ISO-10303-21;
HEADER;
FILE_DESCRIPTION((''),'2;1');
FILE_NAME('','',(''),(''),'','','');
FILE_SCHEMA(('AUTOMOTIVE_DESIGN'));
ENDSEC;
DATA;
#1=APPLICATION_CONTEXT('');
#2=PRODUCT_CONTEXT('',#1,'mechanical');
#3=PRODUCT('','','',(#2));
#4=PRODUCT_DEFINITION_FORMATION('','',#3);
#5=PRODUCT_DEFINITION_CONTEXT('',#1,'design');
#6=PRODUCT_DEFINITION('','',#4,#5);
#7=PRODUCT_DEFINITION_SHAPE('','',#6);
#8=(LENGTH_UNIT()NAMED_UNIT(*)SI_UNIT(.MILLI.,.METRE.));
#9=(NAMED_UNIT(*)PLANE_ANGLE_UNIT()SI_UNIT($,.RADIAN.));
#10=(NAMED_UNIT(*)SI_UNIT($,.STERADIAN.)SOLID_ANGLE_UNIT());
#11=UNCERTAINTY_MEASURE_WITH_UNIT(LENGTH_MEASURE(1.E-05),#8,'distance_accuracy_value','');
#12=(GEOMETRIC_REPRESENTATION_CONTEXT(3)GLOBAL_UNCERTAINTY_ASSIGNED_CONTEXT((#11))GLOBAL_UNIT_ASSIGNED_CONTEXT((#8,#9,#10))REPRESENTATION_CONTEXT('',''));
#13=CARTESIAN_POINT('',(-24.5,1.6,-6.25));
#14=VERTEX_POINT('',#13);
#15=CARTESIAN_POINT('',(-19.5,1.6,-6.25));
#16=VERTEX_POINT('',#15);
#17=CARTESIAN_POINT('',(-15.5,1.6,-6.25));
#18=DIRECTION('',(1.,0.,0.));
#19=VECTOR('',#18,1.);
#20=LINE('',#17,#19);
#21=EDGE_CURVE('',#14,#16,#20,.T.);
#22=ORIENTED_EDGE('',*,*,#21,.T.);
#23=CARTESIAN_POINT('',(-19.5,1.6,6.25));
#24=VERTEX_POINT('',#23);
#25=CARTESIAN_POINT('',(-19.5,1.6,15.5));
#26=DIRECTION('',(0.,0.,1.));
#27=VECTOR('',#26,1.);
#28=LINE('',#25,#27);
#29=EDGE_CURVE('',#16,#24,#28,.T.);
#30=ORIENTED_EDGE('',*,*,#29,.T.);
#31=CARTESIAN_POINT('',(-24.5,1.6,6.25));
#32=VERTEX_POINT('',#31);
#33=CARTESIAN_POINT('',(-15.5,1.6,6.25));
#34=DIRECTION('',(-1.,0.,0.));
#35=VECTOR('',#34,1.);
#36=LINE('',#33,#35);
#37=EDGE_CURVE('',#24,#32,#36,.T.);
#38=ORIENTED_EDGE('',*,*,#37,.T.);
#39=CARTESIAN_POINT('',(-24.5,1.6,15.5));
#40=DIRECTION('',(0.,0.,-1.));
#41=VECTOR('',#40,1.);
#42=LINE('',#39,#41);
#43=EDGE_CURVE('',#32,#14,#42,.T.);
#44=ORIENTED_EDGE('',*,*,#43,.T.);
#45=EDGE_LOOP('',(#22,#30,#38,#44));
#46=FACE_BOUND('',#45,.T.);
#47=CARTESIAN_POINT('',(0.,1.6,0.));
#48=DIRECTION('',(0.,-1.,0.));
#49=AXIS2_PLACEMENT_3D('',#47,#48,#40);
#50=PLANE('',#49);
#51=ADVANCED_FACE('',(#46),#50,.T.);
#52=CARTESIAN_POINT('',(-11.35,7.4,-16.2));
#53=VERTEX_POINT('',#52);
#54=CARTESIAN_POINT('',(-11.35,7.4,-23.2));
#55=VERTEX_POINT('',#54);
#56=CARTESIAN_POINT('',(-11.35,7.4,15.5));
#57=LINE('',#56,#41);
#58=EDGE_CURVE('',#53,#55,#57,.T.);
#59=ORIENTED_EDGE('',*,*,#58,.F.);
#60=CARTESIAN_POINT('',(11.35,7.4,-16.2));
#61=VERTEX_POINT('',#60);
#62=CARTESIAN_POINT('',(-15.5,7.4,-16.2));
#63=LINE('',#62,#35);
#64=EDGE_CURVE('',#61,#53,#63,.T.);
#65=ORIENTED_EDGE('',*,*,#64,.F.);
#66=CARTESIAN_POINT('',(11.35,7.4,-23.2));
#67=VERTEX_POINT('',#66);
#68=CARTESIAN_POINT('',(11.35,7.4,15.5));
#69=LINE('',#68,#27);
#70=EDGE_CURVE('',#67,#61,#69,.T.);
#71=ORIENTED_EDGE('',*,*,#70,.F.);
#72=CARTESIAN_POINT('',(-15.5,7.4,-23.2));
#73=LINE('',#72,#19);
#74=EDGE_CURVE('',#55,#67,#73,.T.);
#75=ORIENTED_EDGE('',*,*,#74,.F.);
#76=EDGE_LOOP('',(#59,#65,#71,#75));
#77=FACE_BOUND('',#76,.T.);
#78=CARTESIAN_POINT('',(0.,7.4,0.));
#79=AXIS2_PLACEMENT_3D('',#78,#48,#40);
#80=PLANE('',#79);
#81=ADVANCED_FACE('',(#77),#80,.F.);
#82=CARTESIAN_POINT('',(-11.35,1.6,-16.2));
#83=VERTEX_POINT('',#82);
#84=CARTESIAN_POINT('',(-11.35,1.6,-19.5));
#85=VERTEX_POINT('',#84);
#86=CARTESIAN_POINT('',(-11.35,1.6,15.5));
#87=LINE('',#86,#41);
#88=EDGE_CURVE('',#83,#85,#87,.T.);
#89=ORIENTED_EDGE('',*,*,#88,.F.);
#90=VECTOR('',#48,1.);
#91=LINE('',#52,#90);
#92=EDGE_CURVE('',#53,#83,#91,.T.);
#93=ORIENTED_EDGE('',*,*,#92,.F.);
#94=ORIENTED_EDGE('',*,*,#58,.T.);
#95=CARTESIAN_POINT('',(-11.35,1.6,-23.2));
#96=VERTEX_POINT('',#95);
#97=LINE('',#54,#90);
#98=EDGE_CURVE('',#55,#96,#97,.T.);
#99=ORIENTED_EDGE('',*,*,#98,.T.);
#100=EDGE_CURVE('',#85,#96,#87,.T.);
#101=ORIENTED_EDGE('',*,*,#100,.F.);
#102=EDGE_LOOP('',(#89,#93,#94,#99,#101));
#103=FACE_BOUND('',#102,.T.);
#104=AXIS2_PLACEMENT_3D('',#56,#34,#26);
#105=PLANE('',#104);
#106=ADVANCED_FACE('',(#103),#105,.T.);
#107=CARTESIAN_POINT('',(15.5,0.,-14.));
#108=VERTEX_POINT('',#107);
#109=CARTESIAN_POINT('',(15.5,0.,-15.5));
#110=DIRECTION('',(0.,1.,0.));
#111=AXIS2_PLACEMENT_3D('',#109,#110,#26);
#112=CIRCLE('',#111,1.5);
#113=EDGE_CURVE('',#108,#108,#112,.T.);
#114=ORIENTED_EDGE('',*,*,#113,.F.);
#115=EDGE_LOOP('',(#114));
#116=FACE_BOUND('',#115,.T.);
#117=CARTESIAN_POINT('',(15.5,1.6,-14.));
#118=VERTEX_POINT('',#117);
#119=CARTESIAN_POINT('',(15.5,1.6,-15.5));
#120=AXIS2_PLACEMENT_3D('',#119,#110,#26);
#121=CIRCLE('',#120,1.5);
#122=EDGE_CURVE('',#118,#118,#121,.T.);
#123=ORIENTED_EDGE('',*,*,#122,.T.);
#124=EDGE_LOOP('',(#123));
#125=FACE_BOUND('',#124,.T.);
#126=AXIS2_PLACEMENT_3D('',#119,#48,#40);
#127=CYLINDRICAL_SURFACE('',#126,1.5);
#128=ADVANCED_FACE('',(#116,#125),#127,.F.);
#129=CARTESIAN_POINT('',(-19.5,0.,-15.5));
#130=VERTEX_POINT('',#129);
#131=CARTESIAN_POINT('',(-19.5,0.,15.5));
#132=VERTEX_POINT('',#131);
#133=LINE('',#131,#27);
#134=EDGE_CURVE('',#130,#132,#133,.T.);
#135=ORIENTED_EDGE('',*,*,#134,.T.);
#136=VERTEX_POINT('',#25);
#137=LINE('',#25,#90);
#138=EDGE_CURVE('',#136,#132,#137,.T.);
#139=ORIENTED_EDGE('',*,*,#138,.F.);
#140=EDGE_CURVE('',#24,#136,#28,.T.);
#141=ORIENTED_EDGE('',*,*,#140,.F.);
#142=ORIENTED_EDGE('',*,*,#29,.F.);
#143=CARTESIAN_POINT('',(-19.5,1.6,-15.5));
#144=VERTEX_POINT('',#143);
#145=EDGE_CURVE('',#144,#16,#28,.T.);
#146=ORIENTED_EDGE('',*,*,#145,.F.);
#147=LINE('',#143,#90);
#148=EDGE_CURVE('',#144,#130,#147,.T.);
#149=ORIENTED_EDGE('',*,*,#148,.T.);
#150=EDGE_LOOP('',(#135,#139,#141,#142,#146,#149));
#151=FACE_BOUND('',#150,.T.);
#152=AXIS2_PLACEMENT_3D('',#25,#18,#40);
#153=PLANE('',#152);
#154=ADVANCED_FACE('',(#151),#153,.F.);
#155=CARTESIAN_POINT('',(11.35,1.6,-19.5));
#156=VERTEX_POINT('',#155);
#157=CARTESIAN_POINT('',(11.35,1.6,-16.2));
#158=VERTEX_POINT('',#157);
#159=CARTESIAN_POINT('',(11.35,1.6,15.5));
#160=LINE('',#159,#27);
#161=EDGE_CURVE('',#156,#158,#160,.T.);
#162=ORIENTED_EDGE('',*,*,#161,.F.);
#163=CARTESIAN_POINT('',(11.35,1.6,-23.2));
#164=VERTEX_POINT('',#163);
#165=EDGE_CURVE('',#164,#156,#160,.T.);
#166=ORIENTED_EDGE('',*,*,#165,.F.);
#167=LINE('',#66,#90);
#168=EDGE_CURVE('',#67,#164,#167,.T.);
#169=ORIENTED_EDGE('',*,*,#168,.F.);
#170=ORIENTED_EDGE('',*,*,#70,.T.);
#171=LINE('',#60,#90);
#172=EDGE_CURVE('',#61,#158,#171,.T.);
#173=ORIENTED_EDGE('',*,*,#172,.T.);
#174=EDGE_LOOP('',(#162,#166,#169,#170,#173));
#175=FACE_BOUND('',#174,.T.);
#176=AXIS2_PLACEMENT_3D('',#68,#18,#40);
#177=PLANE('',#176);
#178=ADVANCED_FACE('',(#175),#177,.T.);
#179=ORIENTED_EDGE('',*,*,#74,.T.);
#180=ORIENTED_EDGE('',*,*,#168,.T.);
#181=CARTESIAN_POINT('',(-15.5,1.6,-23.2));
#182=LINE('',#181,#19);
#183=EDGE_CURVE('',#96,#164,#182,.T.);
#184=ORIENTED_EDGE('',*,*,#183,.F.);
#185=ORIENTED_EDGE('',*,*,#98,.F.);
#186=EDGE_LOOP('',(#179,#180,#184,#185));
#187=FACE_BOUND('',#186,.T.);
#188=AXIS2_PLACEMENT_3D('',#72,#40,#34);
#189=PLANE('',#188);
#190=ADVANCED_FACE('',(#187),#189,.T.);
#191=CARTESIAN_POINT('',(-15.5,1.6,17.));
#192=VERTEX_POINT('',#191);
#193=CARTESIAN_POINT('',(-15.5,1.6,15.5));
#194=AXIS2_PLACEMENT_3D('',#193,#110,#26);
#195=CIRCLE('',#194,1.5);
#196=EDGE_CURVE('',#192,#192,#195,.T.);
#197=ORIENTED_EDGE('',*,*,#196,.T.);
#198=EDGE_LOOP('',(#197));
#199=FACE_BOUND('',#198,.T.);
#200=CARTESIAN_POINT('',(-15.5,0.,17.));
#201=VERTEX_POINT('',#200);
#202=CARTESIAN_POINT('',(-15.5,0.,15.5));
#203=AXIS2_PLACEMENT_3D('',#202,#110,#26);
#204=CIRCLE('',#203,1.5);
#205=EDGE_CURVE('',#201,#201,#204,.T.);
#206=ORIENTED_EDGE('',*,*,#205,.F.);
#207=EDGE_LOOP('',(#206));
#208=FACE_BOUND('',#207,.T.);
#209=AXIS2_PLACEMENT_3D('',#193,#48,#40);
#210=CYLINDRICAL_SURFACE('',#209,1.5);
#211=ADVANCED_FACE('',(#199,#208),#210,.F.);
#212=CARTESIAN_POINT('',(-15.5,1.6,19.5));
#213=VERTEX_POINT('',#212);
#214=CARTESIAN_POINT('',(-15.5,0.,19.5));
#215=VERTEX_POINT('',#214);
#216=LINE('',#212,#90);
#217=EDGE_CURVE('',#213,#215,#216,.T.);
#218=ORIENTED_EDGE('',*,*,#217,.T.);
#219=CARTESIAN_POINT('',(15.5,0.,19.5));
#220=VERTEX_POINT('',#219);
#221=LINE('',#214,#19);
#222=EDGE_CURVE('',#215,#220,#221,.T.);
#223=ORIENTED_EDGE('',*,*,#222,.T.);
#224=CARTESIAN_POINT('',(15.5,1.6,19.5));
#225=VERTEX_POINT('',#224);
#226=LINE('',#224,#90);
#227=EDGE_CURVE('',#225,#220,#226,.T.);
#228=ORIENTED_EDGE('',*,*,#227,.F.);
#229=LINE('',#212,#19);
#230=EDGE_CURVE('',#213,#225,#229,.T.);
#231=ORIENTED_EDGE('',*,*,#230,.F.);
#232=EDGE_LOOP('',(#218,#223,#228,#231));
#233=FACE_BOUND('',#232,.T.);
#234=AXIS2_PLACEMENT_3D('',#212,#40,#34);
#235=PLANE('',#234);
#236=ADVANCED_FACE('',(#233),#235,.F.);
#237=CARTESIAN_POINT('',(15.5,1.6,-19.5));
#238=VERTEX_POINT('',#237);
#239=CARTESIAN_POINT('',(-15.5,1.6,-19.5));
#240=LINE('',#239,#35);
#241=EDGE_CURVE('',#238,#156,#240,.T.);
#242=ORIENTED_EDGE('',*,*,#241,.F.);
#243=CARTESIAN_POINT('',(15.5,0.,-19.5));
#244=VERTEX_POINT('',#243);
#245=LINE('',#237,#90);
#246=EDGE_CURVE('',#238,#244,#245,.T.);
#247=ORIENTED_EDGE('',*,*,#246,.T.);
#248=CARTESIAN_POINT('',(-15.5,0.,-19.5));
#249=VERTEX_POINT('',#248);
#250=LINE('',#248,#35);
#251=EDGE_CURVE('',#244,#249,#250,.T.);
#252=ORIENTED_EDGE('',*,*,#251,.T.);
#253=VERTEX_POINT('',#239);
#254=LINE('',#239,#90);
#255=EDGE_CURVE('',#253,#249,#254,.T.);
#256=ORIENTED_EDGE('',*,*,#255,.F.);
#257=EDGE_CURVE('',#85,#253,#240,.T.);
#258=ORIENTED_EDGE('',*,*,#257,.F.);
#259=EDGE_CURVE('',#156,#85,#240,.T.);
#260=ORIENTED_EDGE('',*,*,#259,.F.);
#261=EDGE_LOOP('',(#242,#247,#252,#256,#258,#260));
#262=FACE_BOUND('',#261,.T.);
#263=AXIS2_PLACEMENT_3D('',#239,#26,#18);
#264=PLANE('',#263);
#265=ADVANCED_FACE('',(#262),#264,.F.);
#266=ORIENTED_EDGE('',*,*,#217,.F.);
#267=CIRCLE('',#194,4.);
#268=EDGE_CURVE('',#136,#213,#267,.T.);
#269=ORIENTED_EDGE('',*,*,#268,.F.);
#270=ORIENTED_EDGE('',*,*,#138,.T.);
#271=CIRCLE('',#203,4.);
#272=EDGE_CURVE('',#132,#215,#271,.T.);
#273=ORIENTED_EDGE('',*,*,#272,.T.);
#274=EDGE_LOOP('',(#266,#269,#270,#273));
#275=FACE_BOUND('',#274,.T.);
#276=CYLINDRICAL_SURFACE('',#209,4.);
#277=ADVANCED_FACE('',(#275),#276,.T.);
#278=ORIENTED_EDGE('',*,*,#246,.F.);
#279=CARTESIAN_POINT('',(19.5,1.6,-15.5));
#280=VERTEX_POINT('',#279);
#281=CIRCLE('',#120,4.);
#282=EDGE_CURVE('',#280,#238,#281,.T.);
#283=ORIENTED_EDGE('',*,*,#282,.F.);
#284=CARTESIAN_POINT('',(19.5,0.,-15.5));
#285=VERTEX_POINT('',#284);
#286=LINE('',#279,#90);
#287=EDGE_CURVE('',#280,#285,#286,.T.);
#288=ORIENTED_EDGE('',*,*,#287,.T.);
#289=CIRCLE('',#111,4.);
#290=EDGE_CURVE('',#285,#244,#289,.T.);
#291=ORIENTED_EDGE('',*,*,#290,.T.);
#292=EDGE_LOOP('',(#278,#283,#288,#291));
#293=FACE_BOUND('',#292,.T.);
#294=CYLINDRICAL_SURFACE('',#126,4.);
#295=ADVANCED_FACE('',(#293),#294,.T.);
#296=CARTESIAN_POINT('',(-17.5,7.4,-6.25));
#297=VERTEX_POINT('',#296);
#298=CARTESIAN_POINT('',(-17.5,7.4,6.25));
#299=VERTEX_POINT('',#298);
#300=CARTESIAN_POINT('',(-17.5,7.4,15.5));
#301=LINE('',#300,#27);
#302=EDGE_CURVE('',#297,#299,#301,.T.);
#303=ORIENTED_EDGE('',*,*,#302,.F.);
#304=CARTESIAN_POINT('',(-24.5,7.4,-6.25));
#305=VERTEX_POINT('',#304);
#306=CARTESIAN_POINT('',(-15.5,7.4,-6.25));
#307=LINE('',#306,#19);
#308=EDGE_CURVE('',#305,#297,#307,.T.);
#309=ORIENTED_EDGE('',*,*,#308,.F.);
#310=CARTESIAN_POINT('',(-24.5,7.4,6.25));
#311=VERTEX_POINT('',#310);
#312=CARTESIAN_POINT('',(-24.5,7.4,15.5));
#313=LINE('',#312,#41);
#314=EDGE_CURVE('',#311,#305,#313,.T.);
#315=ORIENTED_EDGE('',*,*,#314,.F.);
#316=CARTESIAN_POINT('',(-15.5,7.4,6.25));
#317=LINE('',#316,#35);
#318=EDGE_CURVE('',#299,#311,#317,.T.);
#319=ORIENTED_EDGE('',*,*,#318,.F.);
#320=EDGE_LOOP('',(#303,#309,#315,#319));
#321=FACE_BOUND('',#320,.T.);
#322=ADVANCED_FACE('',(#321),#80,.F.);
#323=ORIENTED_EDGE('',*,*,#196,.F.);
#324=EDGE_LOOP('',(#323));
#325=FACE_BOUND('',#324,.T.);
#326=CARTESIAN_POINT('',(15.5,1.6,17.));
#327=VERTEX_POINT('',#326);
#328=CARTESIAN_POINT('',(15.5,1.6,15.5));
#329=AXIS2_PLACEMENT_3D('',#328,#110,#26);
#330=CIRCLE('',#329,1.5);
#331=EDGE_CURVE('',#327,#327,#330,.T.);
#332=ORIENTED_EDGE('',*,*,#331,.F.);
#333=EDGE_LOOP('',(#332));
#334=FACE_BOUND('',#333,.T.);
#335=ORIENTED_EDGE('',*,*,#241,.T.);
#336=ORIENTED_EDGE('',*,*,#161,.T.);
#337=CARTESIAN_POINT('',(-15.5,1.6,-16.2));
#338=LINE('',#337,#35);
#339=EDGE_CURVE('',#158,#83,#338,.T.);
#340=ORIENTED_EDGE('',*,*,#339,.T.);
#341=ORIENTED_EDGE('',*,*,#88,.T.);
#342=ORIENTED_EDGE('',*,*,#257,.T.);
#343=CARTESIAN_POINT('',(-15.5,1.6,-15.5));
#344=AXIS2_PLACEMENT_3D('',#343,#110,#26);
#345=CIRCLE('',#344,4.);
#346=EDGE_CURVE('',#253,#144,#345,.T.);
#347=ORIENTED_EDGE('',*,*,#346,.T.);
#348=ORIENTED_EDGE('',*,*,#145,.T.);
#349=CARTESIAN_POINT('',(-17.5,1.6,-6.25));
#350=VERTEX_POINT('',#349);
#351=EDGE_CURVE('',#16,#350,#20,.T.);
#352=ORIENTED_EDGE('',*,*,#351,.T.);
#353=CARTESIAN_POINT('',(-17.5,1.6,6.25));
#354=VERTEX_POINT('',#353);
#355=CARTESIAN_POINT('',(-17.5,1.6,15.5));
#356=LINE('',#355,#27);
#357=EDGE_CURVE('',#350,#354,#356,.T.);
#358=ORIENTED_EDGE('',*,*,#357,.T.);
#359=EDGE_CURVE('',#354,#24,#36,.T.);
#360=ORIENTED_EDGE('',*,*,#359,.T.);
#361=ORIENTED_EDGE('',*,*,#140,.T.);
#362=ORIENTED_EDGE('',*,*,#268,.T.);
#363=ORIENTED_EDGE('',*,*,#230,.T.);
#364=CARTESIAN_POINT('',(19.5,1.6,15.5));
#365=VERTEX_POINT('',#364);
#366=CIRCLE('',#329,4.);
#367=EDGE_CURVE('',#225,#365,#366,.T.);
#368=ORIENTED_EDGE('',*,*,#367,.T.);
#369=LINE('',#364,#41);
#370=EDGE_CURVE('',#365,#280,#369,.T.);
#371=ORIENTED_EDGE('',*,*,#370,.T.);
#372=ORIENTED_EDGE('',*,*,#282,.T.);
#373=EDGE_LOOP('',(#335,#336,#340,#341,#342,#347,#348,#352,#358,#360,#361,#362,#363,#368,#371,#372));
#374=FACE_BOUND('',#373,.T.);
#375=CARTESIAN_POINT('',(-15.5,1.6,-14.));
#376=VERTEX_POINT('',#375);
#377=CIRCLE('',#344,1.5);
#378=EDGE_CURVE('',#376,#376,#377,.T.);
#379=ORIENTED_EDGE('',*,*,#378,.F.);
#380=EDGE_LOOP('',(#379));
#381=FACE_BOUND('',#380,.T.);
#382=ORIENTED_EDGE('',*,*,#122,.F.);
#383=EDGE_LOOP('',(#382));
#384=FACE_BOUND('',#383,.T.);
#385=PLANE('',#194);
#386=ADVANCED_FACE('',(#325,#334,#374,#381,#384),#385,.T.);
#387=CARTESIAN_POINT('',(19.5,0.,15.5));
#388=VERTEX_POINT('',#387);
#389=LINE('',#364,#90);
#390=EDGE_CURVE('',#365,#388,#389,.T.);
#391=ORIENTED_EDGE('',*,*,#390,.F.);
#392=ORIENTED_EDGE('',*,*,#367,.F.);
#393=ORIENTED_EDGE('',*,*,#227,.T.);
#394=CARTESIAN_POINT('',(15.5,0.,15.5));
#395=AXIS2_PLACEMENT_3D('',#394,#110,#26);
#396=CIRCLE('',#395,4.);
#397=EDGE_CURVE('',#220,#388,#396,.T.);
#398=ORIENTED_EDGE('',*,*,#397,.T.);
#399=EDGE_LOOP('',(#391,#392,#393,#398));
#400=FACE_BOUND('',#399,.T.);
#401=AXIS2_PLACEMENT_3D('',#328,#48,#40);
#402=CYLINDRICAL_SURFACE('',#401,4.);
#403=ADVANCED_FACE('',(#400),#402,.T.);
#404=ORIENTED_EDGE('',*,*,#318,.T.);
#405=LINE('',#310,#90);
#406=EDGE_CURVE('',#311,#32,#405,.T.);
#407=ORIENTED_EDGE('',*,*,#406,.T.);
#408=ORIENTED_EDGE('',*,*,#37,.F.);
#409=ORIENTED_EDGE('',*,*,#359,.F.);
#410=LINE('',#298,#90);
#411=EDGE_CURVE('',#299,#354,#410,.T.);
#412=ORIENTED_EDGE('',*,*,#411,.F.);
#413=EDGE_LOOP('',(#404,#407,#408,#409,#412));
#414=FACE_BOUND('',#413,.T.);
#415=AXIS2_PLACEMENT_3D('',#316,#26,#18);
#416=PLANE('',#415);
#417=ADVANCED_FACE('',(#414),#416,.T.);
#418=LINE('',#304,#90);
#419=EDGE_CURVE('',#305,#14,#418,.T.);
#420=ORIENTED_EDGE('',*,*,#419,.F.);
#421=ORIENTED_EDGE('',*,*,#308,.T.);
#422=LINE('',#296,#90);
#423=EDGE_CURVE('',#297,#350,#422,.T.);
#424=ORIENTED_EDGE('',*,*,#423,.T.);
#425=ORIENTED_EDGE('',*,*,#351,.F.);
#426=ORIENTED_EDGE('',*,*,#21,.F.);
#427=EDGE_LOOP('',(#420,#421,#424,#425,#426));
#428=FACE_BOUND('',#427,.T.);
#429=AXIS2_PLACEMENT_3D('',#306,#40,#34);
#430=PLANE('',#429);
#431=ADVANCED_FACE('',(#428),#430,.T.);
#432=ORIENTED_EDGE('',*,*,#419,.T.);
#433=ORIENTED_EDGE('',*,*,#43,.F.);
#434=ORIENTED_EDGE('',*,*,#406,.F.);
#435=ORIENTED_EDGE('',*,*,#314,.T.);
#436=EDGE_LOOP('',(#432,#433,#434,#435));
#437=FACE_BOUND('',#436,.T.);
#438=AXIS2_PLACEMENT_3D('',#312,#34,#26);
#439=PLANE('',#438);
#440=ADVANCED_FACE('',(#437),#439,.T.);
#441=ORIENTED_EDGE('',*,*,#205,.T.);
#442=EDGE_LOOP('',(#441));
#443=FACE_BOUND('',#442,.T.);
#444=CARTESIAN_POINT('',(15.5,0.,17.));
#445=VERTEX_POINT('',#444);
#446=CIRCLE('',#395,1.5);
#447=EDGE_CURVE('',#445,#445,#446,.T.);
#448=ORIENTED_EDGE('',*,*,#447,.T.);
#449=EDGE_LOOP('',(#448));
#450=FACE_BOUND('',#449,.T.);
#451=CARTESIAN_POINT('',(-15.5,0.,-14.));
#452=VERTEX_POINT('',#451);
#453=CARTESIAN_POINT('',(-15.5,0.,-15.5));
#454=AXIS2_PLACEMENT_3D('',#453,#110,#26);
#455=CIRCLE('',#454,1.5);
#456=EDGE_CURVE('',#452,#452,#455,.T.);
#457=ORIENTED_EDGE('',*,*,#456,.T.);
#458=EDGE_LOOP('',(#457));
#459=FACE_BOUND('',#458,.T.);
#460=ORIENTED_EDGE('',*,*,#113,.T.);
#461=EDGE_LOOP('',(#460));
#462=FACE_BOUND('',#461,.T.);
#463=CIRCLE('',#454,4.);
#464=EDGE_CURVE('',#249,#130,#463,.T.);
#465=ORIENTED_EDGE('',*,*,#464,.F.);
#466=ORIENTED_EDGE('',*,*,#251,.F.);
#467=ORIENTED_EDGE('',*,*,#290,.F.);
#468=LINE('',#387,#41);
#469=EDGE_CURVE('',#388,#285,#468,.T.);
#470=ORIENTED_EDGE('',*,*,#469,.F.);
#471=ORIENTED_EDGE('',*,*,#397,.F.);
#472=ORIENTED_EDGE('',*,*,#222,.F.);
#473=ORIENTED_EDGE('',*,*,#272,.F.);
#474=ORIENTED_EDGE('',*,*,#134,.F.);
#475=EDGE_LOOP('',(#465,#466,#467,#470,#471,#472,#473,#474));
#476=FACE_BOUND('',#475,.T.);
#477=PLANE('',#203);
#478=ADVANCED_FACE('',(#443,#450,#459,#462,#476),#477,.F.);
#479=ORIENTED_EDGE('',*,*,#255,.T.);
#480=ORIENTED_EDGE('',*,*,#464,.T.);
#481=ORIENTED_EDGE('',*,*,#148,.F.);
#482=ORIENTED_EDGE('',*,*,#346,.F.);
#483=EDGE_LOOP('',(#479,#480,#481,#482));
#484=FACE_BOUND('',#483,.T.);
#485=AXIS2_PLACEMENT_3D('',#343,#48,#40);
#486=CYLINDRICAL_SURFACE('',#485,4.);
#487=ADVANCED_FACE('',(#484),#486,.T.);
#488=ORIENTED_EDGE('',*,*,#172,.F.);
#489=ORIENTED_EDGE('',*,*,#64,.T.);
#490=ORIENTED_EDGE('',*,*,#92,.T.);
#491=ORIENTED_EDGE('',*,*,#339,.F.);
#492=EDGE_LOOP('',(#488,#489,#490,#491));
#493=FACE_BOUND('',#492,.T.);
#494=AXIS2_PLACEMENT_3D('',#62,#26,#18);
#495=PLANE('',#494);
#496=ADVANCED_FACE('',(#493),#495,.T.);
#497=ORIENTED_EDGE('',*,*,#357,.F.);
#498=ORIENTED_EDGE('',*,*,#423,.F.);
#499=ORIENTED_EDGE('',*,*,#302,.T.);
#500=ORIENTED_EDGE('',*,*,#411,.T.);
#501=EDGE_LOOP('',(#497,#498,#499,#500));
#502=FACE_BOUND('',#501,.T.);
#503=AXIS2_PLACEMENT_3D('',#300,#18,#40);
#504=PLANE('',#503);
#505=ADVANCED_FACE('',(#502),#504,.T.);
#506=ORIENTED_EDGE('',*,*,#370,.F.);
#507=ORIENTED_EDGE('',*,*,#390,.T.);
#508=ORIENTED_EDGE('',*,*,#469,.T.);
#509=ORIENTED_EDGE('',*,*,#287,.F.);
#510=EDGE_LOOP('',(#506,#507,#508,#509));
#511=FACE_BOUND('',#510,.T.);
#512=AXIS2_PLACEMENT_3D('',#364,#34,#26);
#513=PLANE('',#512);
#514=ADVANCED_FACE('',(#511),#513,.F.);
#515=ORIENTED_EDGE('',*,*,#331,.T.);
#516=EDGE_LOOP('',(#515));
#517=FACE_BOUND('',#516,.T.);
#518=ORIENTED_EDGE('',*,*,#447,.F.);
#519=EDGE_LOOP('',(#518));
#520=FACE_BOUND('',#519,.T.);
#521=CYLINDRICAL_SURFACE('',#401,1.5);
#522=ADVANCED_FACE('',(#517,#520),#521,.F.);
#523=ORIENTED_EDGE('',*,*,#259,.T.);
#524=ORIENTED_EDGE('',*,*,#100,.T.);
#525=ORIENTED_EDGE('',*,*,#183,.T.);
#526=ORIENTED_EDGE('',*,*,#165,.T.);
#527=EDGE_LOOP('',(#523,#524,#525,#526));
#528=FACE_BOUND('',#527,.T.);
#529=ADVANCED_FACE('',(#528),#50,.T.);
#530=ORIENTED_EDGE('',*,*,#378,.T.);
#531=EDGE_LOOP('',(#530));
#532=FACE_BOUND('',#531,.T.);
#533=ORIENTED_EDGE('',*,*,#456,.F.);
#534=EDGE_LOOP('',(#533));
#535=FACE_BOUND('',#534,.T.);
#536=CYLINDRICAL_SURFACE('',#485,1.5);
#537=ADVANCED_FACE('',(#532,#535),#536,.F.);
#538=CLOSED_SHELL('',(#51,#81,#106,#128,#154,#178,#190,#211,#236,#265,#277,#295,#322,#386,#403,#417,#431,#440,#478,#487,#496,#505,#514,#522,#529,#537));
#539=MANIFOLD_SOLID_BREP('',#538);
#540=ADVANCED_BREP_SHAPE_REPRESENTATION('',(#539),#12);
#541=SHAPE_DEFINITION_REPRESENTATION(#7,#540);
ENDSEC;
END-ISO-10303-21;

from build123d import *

# Parameters (mm, degrees)
SKETCH_1_R      = 1.5
EXTRUDE_1_DEPTH = 1.6
EXTRUDE_START   = 1.6
SKETCH_2_W      = 22.7
SKETCH_2_H      = 7
SKETCH_2_W_2    = 7
SKETCH_2_H_2    = 12.5
EXTRUDE_2_DEPTH = 5.8


with BuildPart() as part:
    # 草图1 → 凸台-拉伸1 (new body)
    with BuildSketch(Plane(origin=(0, 0, 0), x_dir=(1, 0, 0), z_dir=(0, 1, 0))):
        with BuildLine():
            Line((-15.5, -19.5), (15.5, -19.5))
            ThreePointArc((15.5, -19.5), (18.328427125, -18.328427125), (19.5, -15.5))
            Line((19.5, -15.5), (19.5, 15.5))
            ThreePointArc((19.5, 15.5), (18.328427125, 18.328427125), (15.5, 19.5))
            Line((15.5, 19.5), (-15.5, 19.5))
            ThreePointArc((-15.5, 19.5), (-18.328427125, 18.328427125), (-19.5, 15.5))
            Line((-19.5, 15.5), (-19.5, -15.5))
            ThreePointArc((-19.5, -15.5), (-18.328427125, -18.328427125), (-15.5, -19.5))
        make_face()
        with Locations(Location((-15.5, -15.5, 0), (0, 0, 270))):
            Circle(SKETCH_1_R, mode=Mode.SUBTRACT)
        with Locations(Location((15.5, -15.5, 0), (0, 0, 270))):
            Circle(SKETCH_1_R, mode=Mode.SUBTRACT)
        with Locations(Location((-15.5, 15.5, 0), (0, 0, 270))):
            Circle(SKETCH_1_R, mode=Mode.SUBTRACT)
        with Locations(Location((15.5, 15.5, 0), (0, 0, 270))):
            Circle(SKETCH_1_R, mode=Mode.SUBTRACT)
    extrude(amount=EXTRUDE_1_DEPTH)

    # 草图2 → 凸台-拉伸2 (add)
    with BuildSketch(Plane(origin=(0, 0, 0), x_dir=(1, 0, 0), z_dir=(0, 1, 0)).offset(EXTRUDE_START)):
        with Locations((0, 19.7)):
            Rectangle(SKETCH_2_W, SKETCH_2_H)
        with Locations((-21, 0)):
            Rectangle(SKETCH_2_W_2, SKETCH_2_H_2)
    extrude(amount=EXTRUDE_2_DEPTH)


solid = part.part
